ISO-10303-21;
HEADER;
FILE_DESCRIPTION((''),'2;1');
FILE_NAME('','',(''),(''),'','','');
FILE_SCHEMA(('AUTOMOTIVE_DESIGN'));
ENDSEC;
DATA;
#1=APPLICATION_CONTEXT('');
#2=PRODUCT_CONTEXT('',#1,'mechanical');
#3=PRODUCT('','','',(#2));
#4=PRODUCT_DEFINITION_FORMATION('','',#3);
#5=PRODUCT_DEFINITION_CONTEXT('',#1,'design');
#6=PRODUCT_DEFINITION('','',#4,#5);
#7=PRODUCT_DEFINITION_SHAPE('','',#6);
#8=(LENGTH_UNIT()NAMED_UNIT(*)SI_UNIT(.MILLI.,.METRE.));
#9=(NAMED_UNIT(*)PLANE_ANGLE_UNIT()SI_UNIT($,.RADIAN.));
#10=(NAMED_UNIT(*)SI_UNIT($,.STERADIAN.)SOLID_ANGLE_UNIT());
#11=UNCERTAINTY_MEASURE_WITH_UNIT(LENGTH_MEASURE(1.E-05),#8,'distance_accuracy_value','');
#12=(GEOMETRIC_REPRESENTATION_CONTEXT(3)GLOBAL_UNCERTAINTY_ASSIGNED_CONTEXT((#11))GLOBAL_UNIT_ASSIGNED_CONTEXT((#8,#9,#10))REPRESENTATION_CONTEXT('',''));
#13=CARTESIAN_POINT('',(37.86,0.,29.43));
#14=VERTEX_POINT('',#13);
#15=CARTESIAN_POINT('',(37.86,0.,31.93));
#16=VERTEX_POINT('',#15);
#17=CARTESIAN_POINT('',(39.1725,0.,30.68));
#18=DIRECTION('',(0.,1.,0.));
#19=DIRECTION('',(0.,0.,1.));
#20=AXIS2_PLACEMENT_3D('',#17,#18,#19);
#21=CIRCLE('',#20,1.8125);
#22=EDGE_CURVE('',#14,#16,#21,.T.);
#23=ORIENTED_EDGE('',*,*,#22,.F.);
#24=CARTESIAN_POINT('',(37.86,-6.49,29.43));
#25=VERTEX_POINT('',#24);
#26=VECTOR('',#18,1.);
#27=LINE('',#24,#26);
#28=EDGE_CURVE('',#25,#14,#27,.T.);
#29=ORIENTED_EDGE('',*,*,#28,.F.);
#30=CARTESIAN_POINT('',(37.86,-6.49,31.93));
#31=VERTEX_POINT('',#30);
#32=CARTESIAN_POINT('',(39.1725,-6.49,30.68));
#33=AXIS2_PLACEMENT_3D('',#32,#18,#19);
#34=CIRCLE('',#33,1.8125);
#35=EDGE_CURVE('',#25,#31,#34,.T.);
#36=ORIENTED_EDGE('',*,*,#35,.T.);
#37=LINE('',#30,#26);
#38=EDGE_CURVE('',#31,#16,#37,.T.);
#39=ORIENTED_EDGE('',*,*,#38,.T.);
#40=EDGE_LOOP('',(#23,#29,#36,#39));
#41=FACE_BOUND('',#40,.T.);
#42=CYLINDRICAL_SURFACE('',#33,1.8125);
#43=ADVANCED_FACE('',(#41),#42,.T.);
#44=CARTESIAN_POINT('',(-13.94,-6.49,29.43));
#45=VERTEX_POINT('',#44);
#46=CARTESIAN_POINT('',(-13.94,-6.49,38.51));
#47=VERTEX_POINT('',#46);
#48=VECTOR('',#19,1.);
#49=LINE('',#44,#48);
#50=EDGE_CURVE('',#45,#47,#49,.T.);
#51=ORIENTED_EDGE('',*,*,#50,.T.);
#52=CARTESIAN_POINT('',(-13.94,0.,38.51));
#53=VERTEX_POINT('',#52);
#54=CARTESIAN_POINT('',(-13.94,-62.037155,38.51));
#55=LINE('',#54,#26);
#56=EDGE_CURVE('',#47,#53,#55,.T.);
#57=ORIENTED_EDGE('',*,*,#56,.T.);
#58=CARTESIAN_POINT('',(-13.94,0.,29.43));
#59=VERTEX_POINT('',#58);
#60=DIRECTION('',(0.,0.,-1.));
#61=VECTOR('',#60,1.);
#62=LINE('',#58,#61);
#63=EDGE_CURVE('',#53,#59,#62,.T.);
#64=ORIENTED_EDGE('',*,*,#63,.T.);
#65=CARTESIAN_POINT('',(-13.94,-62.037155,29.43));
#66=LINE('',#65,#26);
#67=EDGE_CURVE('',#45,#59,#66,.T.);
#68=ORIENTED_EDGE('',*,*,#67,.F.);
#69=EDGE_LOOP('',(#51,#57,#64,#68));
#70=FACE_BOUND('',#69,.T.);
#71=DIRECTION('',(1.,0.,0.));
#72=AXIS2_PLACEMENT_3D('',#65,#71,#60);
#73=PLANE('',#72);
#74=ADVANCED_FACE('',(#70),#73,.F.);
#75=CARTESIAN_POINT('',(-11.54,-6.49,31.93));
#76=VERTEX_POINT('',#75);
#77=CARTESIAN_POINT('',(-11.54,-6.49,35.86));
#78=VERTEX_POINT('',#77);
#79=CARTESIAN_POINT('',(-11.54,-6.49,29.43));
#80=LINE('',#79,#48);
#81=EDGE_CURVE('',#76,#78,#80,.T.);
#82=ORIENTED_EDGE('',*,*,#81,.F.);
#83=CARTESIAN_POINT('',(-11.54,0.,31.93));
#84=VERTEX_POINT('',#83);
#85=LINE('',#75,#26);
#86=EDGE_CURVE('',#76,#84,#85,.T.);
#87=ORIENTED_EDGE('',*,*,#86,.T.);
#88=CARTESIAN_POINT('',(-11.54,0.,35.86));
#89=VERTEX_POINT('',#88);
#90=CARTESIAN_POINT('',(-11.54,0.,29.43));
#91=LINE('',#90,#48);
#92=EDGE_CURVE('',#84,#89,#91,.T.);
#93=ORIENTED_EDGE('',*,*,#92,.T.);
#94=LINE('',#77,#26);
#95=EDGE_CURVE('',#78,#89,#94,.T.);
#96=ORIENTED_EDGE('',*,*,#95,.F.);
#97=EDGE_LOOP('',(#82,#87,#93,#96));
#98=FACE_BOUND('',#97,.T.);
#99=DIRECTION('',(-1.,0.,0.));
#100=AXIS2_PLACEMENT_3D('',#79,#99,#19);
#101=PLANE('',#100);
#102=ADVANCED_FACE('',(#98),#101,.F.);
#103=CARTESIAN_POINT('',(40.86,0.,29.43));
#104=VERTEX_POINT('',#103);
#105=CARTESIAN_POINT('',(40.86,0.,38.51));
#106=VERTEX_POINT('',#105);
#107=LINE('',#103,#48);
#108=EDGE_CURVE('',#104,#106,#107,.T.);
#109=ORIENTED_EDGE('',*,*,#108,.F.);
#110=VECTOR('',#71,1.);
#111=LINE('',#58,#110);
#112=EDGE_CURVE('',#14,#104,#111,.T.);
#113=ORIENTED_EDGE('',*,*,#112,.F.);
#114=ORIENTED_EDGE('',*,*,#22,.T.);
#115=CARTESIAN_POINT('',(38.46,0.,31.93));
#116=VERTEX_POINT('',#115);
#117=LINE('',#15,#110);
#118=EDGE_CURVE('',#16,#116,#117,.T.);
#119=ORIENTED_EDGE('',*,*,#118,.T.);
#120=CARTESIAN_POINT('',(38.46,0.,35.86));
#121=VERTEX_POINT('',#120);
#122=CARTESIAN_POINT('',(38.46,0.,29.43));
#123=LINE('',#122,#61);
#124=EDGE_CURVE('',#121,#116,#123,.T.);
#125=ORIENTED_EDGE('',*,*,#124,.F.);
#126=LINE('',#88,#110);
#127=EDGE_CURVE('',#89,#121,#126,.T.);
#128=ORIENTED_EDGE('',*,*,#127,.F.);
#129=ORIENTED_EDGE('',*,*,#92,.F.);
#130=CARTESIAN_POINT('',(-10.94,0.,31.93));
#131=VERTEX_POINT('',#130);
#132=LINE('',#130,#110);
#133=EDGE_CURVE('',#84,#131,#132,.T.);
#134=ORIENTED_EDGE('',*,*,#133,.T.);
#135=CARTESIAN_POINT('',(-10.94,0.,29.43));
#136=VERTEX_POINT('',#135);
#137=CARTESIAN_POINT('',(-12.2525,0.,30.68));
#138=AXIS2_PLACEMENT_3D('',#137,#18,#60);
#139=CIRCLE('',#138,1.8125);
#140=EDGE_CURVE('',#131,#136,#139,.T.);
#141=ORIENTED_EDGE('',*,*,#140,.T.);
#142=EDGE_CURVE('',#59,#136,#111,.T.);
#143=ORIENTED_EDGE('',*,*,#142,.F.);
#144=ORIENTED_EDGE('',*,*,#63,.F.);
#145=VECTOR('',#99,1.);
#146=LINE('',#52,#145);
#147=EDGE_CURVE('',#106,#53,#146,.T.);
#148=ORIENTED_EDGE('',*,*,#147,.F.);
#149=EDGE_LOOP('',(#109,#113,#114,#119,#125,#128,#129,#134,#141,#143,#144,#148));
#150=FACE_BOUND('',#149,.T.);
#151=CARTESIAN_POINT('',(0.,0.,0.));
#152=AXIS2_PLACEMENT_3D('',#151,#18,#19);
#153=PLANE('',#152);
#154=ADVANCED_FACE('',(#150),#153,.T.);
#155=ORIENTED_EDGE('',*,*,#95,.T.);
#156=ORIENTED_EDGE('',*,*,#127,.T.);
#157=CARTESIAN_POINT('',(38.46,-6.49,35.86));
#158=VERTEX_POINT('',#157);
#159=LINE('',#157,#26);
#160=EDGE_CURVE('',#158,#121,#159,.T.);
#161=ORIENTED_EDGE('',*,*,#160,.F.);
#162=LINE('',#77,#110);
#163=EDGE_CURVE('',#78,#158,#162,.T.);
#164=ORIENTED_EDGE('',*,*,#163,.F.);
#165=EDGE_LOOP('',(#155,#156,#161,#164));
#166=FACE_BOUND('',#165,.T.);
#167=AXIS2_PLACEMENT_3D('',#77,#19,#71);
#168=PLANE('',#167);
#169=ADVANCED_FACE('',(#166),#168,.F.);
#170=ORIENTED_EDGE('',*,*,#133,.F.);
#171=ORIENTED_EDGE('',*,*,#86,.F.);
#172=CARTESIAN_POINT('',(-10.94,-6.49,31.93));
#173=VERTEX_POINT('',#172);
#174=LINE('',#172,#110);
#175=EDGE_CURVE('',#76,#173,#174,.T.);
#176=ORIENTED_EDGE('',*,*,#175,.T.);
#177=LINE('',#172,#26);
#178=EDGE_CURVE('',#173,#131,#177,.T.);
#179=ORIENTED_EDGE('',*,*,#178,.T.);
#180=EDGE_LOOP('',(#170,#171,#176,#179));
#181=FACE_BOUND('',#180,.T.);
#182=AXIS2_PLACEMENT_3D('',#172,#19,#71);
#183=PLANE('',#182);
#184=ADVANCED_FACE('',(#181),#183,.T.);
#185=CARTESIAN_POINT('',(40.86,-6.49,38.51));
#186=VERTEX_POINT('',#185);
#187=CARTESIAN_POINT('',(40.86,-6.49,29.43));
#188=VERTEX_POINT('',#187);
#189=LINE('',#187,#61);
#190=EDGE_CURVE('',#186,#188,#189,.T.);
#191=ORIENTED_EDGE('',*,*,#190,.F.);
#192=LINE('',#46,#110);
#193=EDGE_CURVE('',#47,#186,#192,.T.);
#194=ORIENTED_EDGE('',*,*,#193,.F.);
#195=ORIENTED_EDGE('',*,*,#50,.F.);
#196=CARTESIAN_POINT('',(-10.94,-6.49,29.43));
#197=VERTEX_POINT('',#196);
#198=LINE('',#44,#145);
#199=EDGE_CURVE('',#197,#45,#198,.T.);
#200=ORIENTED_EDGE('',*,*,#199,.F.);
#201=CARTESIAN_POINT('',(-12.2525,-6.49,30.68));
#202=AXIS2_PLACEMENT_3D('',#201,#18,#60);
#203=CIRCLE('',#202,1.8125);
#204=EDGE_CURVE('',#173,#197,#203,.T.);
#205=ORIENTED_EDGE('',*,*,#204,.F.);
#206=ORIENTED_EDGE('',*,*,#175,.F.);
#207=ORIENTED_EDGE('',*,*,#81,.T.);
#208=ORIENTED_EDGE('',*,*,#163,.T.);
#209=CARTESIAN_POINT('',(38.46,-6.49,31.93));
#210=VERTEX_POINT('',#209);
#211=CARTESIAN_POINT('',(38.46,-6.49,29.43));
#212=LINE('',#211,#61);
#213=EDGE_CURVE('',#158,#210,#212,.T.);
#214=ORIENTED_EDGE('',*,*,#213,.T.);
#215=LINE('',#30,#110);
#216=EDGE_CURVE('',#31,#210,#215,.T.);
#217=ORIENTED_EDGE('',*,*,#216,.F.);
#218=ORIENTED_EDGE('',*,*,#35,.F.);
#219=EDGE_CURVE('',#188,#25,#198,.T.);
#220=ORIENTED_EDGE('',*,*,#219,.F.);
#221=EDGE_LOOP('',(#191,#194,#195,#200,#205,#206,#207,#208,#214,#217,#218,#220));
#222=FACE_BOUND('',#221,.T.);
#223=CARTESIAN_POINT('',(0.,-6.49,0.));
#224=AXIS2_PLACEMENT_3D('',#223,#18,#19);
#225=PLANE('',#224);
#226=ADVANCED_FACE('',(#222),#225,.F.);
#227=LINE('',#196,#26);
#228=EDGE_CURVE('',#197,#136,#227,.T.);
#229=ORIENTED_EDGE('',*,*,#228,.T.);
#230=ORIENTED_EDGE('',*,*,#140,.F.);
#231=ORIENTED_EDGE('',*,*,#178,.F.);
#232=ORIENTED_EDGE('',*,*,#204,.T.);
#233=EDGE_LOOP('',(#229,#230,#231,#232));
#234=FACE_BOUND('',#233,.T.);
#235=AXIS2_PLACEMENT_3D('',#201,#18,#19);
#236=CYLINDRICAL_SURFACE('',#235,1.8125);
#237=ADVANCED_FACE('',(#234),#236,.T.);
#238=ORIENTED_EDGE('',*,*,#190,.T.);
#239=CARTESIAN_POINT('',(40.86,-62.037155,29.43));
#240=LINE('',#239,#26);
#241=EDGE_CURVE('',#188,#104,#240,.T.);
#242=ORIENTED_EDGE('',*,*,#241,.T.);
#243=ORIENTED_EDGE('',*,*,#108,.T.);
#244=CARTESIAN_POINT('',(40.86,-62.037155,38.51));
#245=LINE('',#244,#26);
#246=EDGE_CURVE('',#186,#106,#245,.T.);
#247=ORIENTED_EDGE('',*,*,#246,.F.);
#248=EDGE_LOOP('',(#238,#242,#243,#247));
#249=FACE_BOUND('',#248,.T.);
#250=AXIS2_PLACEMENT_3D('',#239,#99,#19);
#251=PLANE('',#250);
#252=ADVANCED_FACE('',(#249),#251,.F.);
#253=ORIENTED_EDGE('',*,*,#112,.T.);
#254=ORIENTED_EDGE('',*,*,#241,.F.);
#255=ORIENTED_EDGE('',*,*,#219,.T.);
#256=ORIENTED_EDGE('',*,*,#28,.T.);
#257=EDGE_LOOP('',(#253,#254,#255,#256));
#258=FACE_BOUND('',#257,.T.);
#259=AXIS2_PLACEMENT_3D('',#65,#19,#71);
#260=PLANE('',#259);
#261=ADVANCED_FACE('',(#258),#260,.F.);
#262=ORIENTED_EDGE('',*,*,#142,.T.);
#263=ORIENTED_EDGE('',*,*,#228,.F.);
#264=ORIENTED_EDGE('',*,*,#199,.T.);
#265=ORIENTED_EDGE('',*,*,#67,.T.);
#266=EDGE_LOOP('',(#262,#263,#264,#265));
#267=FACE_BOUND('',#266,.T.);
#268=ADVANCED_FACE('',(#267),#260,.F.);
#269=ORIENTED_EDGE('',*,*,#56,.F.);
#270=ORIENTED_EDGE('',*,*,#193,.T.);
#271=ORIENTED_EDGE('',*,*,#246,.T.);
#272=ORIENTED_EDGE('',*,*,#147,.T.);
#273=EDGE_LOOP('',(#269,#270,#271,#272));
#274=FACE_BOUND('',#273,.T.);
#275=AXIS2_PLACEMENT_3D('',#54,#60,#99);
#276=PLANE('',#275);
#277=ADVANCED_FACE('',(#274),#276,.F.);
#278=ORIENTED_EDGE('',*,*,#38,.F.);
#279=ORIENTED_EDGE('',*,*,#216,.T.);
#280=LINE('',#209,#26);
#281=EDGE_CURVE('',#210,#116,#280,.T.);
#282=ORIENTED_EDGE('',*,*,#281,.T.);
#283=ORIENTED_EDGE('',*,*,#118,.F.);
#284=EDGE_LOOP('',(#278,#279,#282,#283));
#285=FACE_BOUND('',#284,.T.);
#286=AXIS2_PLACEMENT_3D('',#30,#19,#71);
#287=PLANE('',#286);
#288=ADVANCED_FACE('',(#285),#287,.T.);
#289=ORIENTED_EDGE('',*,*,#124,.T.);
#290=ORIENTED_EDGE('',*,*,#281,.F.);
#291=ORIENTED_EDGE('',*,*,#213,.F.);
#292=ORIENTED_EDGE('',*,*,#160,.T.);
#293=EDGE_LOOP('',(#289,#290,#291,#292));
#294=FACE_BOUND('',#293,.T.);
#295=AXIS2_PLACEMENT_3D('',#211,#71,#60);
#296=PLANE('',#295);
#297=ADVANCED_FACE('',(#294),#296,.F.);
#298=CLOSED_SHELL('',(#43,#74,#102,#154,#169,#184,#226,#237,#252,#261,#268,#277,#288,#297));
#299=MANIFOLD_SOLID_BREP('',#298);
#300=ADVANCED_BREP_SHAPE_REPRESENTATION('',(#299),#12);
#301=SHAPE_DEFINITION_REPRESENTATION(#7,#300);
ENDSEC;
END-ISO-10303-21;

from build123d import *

# Parameters (mm, degrees)
SKETCH2_W           = 54.8
SKETCH2_H           = 9.08
BOSS_EXTRUDE1_DEPTH = 6.49
SKETCH3_W           = 50
SKETCH3_H           = 6.43
CUT_EXTRUDE1_DEPTH  = 57.521498565
BOSS_EXTRUDE2_DEPTH = 6.49


with BuildPart() as part:
    # Sketch2 → Boss-Extrude1 (new body)
    with BuildSketch(Plane.XZ):
        with Locations((13.46, 33.97)):
            Rectangle(SKETCH2_W, SKETCH2_H)
    extrude(amount=BOSS_EXTRUDE1_DEPTH)

    # Sketch3 → Cut-Extrude1 (cut, through all)
    with BuildSketch(Plane(origin=(0, 0, 0), x_dir=(1, 0, 0), z_dir=(0, 1, 0))):
        with Locations((13.46, -32.645)):
            Rectangle(SKETCH3_W, SKETCH3_H)
    extrude(amount=-CUT_EXTRUDE1_DEPTH, mode=Mode.SUBTRACT)

    # Sketch4 → Boss-Extrude2 (add, through all)
    with BuildSketch(Plane(origin=(0, 0, 0), x_dir=(1, 0, 0), z_dir=(0, 1, 0))):
        with BuildLine():
            Line((38.46, -29.43), (37.86, -29.43))
            ThreePointArc((37.86, -29.43), (37.36, -30.68), (37.86, -31.93))
            Line((37.86, -31.93), (38.46, -31.93))
            Line((38.46, -31.93), (38.46, -29.43))
        make_face()
        with BuildLine():
            Line((-10.94, -31.93), (-11.54, -31.93))
            Line((-11.54, -31.93), (-11.54, -29.43))
            Line((-11.54, -29.43), (-10.94, -29.43))
            ThreePointArc((-10.94, -29.43), (-10.44, -30.68), (-10.94, -31.93))
        make_face()
    extrude(amount=-BOSS_EXTRUDE2_DEPTH)


solid = part.part
